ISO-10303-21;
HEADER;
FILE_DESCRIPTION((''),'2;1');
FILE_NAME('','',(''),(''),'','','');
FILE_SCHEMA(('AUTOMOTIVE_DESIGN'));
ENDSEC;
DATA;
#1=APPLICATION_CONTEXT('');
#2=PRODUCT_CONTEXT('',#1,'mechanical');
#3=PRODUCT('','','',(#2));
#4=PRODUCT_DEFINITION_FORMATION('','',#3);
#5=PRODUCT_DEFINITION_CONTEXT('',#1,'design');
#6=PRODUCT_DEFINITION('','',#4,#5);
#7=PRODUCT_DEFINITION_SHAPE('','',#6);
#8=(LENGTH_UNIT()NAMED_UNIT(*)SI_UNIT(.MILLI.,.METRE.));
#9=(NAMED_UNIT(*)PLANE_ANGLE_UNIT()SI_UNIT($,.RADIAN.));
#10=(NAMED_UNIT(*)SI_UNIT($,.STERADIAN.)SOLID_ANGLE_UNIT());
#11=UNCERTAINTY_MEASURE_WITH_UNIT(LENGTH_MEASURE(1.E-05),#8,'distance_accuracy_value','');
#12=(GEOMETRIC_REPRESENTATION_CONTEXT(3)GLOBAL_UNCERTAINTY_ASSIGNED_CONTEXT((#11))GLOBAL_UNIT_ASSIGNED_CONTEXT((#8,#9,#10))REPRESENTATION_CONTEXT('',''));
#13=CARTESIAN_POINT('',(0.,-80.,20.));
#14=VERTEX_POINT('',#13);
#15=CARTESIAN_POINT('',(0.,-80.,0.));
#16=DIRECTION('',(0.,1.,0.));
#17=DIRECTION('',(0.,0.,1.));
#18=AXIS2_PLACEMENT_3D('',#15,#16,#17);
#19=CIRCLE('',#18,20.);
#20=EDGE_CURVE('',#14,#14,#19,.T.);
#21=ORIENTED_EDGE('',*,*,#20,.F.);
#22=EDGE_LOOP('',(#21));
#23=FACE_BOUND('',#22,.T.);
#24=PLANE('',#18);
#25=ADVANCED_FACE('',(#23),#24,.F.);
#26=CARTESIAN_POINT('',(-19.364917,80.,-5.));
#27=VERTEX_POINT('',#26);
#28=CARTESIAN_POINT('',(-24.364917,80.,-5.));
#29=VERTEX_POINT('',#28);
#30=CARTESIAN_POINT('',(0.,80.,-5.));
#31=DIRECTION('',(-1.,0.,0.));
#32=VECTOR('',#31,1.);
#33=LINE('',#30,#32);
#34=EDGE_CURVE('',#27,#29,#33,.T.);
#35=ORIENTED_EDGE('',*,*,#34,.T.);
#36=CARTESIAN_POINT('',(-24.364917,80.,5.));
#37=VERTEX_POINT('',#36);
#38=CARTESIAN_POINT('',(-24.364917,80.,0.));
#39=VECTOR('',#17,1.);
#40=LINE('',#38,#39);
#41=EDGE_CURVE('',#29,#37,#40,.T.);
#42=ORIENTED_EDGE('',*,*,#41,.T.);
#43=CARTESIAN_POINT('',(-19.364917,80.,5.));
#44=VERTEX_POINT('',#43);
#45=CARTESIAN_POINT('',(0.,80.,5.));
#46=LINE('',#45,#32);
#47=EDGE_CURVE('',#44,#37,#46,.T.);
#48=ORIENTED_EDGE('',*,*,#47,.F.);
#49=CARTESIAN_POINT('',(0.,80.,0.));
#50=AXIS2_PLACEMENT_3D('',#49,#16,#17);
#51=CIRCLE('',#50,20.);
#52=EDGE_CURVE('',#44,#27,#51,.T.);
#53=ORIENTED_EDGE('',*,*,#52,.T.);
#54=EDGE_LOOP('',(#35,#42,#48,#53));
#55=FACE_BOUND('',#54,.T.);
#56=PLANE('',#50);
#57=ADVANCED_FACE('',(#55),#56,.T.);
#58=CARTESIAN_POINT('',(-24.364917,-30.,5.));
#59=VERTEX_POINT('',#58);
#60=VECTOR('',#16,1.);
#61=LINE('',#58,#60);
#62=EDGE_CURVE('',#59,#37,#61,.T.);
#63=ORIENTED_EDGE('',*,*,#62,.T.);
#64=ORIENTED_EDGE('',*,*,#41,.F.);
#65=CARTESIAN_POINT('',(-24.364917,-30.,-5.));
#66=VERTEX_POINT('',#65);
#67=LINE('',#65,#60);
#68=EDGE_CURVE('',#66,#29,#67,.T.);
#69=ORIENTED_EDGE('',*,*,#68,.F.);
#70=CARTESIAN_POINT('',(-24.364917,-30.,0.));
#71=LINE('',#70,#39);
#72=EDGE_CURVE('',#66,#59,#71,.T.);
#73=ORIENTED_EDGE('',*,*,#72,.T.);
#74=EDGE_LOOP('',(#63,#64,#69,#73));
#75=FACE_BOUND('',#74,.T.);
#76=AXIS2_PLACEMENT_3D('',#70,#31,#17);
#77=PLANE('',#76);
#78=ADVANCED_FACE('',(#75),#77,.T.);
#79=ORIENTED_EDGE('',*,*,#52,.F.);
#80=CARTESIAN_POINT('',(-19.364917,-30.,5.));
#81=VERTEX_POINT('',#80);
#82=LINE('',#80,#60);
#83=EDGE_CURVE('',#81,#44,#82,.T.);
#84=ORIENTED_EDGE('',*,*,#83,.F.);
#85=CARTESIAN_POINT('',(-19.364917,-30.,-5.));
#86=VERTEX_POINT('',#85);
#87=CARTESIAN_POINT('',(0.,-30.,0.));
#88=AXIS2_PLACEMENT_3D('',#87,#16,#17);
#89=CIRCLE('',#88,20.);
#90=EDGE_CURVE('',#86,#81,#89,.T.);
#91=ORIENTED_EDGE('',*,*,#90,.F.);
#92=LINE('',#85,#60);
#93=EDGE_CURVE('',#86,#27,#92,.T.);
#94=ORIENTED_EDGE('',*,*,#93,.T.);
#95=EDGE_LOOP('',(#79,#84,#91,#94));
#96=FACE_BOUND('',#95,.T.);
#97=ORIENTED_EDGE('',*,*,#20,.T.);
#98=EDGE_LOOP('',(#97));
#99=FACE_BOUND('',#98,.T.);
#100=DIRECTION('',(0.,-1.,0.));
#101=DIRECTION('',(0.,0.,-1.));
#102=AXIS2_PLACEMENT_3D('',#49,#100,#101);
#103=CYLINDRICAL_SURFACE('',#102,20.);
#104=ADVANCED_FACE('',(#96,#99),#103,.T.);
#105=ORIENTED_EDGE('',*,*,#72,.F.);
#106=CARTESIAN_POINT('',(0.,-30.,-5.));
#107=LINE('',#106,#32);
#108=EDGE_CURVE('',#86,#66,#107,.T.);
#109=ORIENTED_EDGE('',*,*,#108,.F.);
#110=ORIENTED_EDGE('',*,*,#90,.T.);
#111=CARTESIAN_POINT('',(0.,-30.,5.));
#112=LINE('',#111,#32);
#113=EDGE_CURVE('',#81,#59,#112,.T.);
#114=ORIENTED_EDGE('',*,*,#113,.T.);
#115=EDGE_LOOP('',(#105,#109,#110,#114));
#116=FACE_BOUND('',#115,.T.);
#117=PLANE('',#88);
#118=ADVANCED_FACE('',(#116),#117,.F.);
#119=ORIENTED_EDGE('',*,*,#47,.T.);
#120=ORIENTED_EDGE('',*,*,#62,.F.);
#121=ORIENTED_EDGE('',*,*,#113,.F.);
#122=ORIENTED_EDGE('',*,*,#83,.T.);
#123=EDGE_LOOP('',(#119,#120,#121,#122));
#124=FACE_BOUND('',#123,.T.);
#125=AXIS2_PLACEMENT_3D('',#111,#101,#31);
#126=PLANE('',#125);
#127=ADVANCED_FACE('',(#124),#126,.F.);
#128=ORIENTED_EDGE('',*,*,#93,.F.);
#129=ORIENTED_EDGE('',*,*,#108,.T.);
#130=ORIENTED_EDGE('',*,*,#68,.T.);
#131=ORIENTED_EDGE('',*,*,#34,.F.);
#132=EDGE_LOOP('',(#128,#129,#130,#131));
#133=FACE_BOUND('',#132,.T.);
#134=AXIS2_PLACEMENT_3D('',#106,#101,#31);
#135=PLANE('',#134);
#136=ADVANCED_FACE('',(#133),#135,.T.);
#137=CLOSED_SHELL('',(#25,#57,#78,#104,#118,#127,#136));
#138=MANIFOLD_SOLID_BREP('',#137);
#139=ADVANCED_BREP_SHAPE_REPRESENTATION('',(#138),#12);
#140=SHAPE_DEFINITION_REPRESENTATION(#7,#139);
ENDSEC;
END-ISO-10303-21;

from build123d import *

# Parameters (mm, degrees)
SKETCH1_R           = 20
BOSS_EXTRUDE1_DEPTH = 80
BOSS_EXTRUDE2_DEPTH = 110


with BuildPart() as part:
    # Sketch1 → Boss-Extrude1 (new, symmetric)
    with BuildSketch(Plane(origin=(0, 0, 0), x_dir=(1, 0, 0), z_dir=(0, 1, 0))):
        with Locations(Location((0, 0, 0), (0, 0, 270))):
            Circle(SKETCH1_R)
    extrude(amount=BOSS_EXTRUDE1_DEPTH, both=True)

    # Sketch2 → Boss-Extrude2 (add)
    with BuildSketch(Plane(origin=(0, 80, 0), x_dir=(1, 0, 0), z_dir=(0, 1, 0))):
        with BuildLine():
            ThreePointArc((-19.364916731, -5), (-20, 0), (-19.364916731, 5))
            Line((-19.364916731, 5), (-24.364916731, 5))
            Line((-24.364916731, 5), (-24.364916731, -5))
            Line((-24.364916731, -5), (-19.364916731, -5))
        make_face()
    extrude(amount=-BOSS_EXTRUDE2_DEPTH)


solid = part.part
